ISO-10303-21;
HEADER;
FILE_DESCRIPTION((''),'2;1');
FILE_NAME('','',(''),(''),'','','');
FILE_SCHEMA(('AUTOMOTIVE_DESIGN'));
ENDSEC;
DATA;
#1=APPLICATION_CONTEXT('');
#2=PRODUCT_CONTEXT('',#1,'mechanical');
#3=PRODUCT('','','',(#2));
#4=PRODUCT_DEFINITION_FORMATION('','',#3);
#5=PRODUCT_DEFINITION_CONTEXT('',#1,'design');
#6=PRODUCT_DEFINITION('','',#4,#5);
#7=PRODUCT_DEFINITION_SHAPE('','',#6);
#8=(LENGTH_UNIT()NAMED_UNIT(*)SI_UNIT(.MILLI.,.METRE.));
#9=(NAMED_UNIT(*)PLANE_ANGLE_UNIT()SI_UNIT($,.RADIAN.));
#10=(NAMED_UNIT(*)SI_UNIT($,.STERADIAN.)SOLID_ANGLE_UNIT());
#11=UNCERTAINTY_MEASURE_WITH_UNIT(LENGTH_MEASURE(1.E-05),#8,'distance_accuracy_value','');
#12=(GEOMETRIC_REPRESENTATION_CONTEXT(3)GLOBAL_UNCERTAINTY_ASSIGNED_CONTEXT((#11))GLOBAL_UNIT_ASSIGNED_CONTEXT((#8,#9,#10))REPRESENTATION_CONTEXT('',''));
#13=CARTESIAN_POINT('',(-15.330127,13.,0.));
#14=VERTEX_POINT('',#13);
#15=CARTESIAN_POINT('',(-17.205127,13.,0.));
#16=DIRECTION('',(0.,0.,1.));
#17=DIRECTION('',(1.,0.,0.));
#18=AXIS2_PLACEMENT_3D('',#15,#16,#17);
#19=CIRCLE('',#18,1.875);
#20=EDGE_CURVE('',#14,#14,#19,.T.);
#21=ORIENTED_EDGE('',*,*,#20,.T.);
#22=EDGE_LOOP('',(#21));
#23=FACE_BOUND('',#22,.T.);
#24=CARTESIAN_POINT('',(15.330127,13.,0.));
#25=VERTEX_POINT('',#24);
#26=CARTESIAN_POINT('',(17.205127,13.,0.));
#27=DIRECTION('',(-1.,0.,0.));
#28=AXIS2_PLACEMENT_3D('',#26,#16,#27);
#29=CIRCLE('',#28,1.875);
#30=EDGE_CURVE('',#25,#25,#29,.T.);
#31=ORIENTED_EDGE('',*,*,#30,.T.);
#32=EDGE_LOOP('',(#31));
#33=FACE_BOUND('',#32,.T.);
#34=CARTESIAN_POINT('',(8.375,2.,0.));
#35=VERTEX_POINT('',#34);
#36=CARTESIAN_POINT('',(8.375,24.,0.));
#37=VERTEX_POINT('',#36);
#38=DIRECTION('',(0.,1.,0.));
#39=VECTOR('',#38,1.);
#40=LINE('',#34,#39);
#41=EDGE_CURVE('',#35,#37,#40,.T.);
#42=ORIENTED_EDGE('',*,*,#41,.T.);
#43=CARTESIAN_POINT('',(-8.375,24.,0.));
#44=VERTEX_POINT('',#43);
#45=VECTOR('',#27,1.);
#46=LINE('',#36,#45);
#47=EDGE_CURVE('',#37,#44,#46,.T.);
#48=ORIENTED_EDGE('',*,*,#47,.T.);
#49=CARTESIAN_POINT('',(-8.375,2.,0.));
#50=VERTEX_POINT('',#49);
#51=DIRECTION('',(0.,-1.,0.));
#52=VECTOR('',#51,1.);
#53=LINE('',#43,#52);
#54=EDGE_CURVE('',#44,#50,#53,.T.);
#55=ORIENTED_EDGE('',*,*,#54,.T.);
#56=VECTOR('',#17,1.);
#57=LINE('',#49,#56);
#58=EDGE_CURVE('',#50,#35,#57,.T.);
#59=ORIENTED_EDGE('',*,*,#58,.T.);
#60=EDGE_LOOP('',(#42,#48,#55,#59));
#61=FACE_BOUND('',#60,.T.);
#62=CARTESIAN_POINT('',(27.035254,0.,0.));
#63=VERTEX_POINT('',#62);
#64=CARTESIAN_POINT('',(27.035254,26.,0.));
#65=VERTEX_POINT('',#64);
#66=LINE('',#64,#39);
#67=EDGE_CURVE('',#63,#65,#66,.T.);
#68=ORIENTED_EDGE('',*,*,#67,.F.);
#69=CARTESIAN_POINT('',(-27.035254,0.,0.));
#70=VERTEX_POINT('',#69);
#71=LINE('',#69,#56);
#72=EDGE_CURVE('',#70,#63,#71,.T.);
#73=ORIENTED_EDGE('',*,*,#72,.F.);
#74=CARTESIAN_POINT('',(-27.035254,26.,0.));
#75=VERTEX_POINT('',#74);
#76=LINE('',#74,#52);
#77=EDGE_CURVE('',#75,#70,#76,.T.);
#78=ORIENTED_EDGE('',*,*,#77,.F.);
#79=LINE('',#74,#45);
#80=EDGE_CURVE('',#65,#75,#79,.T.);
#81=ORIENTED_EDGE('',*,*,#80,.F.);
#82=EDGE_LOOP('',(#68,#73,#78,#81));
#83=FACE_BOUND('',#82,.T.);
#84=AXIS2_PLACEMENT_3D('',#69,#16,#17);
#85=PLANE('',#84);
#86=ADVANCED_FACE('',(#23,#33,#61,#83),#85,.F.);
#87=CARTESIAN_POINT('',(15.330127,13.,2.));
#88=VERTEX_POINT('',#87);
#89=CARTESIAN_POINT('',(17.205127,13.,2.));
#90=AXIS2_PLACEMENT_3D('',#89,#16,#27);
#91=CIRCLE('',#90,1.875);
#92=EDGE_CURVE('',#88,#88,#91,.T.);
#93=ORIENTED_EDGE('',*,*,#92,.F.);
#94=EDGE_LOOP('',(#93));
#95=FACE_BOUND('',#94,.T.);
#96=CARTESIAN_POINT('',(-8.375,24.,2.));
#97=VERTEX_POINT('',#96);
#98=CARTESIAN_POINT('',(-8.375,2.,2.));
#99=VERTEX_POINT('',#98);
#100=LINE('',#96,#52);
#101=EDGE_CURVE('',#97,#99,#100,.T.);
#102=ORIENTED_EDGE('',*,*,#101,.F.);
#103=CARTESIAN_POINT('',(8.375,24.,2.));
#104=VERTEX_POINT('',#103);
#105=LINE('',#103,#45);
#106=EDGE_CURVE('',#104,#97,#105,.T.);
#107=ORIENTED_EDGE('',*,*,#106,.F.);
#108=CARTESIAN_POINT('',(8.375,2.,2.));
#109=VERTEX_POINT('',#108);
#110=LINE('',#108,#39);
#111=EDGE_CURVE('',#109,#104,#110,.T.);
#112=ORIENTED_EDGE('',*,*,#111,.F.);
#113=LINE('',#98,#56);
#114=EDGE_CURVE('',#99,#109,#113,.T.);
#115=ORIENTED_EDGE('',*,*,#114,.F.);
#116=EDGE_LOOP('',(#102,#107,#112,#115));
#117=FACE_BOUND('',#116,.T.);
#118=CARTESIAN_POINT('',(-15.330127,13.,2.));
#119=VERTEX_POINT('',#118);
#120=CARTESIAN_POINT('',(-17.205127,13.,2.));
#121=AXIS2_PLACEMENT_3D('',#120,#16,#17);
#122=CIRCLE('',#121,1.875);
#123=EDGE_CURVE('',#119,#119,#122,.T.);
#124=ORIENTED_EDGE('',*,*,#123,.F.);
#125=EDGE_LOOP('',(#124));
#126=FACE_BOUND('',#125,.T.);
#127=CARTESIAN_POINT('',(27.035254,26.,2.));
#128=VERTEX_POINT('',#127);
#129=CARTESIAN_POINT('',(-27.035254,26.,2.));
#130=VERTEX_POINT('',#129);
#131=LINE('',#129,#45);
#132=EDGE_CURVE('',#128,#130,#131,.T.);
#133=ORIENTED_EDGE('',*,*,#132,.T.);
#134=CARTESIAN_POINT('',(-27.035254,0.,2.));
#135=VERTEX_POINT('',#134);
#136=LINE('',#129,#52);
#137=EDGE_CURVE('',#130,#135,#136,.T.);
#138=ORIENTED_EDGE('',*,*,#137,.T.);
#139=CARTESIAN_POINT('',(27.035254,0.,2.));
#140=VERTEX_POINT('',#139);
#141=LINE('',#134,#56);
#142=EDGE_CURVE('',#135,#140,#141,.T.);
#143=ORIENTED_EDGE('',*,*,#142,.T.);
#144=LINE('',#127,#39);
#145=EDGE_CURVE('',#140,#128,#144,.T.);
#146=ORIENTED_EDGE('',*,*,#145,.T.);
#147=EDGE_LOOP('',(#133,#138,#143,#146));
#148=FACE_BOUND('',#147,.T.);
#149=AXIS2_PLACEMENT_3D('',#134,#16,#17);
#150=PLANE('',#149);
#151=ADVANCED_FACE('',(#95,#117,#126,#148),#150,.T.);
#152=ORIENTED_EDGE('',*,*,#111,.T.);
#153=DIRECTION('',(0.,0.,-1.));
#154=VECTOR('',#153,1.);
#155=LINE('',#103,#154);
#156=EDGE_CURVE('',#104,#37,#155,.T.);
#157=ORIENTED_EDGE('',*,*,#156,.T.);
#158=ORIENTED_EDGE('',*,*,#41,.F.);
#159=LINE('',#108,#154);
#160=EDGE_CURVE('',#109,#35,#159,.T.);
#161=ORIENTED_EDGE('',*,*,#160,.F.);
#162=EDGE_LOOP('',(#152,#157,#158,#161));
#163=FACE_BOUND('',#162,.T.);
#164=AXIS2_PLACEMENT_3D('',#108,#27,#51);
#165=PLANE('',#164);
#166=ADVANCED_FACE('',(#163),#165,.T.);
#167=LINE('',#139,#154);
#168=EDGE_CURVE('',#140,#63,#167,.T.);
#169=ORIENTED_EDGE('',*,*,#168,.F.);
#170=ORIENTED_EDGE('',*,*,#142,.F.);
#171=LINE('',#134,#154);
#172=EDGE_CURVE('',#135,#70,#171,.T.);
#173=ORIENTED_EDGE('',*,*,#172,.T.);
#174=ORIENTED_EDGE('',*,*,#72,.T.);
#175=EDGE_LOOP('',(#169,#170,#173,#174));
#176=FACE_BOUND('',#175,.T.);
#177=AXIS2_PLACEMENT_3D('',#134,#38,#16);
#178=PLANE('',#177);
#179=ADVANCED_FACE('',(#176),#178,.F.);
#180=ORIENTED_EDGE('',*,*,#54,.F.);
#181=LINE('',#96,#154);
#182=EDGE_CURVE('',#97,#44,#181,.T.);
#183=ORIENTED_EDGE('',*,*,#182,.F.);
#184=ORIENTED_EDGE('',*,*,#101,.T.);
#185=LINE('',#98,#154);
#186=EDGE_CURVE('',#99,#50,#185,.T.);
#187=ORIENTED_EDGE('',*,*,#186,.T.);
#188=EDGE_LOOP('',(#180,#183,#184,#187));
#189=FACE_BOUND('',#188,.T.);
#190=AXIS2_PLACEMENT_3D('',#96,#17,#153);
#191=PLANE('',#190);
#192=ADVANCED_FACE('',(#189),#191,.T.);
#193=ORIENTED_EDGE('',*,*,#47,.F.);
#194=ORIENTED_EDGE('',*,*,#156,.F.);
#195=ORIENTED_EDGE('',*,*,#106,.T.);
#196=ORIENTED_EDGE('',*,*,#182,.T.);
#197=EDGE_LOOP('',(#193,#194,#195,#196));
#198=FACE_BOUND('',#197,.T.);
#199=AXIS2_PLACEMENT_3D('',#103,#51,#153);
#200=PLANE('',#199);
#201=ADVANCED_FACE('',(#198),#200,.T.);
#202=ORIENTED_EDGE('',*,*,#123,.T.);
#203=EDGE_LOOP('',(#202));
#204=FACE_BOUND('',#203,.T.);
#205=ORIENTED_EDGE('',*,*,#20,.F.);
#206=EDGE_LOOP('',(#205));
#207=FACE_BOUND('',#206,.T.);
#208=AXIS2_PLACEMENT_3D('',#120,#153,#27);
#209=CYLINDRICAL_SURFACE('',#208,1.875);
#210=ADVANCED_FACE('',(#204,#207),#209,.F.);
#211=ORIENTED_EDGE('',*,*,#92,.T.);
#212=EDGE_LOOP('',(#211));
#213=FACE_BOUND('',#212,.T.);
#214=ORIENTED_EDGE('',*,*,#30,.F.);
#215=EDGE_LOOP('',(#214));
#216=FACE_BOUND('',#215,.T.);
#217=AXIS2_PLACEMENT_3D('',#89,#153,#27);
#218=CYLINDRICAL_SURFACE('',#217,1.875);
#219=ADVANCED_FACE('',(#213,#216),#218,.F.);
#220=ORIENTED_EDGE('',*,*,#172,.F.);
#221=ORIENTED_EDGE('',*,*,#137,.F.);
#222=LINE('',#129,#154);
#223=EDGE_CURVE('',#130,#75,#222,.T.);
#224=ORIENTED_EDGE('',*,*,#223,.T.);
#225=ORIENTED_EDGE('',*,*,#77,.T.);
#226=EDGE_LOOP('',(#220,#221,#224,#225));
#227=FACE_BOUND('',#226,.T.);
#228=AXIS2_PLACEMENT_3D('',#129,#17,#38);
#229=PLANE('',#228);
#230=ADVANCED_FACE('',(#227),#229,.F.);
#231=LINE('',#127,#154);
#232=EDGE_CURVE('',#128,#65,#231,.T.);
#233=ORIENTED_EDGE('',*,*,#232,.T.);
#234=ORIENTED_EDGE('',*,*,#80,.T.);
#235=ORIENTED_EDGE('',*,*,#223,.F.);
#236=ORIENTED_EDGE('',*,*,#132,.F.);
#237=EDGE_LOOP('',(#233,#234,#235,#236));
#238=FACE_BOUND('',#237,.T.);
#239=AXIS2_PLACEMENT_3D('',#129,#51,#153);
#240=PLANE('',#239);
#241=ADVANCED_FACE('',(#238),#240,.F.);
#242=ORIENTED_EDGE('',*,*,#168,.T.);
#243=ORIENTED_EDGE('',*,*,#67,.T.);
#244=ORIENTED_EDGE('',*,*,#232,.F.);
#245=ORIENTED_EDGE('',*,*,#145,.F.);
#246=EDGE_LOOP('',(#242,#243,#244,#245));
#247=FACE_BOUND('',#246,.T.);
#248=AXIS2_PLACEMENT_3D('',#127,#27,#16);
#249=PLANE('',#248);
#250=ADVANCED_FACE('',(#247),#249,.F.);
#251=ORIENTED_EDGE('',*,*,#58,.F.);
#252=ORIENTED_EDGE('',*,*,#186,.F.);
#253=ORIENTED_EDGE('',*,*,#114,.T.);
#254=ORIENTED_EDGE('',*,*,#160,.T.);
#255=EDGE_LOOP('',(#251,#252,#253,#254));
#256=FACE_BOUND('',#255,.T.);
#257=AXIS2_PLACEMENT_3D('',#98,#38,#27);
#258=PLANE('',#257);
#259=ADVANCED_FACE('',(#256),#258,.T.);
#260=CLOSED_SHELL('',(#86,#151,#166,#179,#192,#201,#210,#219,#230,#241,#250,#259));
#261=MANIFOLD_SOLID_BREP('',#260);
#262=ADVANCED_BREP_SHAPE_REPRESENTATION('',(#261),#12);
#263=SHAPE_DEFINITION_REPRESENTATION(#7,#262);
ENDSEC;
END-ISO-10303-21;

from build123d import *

# Parameters (mm, degrees)
SKETCH1_W           = 54.070507504
SKETCH1_H           = 26
SKETCH1_R           = 1.875
SKETCH1_W_2         = 16.75
SKETCH1_H_2         = 22
BOSS_EXTRUDE1_DEPTH = 2


with BuildPart() as part:
    # Sketch1 → Boss-Extrude1 (new body)
    with BuildSketch(Plane.XY):
        with Locations((0, 13)):
            Rectangle(SKETCH1_W, SKETCH1_H)
        with Locations(Location((17.205126876, 13, 0), (0, 0, 180))):
            Circle(SKETCH1_R, mode=Mode.SUBTRACT)
        with Locations((-17.205126876, 13)):
            Circle(SKETCH1_R, mode=Mode.SUBTRACT)
        with Locations((0, 13)):
            Rectangle(SKETCH1_W_2, SKETCH1_H_2, mode=Mode.SUBTRACT)
    extrude(amount=BOSS_EXTRUDE1_DEPTH)


solid = part.part
